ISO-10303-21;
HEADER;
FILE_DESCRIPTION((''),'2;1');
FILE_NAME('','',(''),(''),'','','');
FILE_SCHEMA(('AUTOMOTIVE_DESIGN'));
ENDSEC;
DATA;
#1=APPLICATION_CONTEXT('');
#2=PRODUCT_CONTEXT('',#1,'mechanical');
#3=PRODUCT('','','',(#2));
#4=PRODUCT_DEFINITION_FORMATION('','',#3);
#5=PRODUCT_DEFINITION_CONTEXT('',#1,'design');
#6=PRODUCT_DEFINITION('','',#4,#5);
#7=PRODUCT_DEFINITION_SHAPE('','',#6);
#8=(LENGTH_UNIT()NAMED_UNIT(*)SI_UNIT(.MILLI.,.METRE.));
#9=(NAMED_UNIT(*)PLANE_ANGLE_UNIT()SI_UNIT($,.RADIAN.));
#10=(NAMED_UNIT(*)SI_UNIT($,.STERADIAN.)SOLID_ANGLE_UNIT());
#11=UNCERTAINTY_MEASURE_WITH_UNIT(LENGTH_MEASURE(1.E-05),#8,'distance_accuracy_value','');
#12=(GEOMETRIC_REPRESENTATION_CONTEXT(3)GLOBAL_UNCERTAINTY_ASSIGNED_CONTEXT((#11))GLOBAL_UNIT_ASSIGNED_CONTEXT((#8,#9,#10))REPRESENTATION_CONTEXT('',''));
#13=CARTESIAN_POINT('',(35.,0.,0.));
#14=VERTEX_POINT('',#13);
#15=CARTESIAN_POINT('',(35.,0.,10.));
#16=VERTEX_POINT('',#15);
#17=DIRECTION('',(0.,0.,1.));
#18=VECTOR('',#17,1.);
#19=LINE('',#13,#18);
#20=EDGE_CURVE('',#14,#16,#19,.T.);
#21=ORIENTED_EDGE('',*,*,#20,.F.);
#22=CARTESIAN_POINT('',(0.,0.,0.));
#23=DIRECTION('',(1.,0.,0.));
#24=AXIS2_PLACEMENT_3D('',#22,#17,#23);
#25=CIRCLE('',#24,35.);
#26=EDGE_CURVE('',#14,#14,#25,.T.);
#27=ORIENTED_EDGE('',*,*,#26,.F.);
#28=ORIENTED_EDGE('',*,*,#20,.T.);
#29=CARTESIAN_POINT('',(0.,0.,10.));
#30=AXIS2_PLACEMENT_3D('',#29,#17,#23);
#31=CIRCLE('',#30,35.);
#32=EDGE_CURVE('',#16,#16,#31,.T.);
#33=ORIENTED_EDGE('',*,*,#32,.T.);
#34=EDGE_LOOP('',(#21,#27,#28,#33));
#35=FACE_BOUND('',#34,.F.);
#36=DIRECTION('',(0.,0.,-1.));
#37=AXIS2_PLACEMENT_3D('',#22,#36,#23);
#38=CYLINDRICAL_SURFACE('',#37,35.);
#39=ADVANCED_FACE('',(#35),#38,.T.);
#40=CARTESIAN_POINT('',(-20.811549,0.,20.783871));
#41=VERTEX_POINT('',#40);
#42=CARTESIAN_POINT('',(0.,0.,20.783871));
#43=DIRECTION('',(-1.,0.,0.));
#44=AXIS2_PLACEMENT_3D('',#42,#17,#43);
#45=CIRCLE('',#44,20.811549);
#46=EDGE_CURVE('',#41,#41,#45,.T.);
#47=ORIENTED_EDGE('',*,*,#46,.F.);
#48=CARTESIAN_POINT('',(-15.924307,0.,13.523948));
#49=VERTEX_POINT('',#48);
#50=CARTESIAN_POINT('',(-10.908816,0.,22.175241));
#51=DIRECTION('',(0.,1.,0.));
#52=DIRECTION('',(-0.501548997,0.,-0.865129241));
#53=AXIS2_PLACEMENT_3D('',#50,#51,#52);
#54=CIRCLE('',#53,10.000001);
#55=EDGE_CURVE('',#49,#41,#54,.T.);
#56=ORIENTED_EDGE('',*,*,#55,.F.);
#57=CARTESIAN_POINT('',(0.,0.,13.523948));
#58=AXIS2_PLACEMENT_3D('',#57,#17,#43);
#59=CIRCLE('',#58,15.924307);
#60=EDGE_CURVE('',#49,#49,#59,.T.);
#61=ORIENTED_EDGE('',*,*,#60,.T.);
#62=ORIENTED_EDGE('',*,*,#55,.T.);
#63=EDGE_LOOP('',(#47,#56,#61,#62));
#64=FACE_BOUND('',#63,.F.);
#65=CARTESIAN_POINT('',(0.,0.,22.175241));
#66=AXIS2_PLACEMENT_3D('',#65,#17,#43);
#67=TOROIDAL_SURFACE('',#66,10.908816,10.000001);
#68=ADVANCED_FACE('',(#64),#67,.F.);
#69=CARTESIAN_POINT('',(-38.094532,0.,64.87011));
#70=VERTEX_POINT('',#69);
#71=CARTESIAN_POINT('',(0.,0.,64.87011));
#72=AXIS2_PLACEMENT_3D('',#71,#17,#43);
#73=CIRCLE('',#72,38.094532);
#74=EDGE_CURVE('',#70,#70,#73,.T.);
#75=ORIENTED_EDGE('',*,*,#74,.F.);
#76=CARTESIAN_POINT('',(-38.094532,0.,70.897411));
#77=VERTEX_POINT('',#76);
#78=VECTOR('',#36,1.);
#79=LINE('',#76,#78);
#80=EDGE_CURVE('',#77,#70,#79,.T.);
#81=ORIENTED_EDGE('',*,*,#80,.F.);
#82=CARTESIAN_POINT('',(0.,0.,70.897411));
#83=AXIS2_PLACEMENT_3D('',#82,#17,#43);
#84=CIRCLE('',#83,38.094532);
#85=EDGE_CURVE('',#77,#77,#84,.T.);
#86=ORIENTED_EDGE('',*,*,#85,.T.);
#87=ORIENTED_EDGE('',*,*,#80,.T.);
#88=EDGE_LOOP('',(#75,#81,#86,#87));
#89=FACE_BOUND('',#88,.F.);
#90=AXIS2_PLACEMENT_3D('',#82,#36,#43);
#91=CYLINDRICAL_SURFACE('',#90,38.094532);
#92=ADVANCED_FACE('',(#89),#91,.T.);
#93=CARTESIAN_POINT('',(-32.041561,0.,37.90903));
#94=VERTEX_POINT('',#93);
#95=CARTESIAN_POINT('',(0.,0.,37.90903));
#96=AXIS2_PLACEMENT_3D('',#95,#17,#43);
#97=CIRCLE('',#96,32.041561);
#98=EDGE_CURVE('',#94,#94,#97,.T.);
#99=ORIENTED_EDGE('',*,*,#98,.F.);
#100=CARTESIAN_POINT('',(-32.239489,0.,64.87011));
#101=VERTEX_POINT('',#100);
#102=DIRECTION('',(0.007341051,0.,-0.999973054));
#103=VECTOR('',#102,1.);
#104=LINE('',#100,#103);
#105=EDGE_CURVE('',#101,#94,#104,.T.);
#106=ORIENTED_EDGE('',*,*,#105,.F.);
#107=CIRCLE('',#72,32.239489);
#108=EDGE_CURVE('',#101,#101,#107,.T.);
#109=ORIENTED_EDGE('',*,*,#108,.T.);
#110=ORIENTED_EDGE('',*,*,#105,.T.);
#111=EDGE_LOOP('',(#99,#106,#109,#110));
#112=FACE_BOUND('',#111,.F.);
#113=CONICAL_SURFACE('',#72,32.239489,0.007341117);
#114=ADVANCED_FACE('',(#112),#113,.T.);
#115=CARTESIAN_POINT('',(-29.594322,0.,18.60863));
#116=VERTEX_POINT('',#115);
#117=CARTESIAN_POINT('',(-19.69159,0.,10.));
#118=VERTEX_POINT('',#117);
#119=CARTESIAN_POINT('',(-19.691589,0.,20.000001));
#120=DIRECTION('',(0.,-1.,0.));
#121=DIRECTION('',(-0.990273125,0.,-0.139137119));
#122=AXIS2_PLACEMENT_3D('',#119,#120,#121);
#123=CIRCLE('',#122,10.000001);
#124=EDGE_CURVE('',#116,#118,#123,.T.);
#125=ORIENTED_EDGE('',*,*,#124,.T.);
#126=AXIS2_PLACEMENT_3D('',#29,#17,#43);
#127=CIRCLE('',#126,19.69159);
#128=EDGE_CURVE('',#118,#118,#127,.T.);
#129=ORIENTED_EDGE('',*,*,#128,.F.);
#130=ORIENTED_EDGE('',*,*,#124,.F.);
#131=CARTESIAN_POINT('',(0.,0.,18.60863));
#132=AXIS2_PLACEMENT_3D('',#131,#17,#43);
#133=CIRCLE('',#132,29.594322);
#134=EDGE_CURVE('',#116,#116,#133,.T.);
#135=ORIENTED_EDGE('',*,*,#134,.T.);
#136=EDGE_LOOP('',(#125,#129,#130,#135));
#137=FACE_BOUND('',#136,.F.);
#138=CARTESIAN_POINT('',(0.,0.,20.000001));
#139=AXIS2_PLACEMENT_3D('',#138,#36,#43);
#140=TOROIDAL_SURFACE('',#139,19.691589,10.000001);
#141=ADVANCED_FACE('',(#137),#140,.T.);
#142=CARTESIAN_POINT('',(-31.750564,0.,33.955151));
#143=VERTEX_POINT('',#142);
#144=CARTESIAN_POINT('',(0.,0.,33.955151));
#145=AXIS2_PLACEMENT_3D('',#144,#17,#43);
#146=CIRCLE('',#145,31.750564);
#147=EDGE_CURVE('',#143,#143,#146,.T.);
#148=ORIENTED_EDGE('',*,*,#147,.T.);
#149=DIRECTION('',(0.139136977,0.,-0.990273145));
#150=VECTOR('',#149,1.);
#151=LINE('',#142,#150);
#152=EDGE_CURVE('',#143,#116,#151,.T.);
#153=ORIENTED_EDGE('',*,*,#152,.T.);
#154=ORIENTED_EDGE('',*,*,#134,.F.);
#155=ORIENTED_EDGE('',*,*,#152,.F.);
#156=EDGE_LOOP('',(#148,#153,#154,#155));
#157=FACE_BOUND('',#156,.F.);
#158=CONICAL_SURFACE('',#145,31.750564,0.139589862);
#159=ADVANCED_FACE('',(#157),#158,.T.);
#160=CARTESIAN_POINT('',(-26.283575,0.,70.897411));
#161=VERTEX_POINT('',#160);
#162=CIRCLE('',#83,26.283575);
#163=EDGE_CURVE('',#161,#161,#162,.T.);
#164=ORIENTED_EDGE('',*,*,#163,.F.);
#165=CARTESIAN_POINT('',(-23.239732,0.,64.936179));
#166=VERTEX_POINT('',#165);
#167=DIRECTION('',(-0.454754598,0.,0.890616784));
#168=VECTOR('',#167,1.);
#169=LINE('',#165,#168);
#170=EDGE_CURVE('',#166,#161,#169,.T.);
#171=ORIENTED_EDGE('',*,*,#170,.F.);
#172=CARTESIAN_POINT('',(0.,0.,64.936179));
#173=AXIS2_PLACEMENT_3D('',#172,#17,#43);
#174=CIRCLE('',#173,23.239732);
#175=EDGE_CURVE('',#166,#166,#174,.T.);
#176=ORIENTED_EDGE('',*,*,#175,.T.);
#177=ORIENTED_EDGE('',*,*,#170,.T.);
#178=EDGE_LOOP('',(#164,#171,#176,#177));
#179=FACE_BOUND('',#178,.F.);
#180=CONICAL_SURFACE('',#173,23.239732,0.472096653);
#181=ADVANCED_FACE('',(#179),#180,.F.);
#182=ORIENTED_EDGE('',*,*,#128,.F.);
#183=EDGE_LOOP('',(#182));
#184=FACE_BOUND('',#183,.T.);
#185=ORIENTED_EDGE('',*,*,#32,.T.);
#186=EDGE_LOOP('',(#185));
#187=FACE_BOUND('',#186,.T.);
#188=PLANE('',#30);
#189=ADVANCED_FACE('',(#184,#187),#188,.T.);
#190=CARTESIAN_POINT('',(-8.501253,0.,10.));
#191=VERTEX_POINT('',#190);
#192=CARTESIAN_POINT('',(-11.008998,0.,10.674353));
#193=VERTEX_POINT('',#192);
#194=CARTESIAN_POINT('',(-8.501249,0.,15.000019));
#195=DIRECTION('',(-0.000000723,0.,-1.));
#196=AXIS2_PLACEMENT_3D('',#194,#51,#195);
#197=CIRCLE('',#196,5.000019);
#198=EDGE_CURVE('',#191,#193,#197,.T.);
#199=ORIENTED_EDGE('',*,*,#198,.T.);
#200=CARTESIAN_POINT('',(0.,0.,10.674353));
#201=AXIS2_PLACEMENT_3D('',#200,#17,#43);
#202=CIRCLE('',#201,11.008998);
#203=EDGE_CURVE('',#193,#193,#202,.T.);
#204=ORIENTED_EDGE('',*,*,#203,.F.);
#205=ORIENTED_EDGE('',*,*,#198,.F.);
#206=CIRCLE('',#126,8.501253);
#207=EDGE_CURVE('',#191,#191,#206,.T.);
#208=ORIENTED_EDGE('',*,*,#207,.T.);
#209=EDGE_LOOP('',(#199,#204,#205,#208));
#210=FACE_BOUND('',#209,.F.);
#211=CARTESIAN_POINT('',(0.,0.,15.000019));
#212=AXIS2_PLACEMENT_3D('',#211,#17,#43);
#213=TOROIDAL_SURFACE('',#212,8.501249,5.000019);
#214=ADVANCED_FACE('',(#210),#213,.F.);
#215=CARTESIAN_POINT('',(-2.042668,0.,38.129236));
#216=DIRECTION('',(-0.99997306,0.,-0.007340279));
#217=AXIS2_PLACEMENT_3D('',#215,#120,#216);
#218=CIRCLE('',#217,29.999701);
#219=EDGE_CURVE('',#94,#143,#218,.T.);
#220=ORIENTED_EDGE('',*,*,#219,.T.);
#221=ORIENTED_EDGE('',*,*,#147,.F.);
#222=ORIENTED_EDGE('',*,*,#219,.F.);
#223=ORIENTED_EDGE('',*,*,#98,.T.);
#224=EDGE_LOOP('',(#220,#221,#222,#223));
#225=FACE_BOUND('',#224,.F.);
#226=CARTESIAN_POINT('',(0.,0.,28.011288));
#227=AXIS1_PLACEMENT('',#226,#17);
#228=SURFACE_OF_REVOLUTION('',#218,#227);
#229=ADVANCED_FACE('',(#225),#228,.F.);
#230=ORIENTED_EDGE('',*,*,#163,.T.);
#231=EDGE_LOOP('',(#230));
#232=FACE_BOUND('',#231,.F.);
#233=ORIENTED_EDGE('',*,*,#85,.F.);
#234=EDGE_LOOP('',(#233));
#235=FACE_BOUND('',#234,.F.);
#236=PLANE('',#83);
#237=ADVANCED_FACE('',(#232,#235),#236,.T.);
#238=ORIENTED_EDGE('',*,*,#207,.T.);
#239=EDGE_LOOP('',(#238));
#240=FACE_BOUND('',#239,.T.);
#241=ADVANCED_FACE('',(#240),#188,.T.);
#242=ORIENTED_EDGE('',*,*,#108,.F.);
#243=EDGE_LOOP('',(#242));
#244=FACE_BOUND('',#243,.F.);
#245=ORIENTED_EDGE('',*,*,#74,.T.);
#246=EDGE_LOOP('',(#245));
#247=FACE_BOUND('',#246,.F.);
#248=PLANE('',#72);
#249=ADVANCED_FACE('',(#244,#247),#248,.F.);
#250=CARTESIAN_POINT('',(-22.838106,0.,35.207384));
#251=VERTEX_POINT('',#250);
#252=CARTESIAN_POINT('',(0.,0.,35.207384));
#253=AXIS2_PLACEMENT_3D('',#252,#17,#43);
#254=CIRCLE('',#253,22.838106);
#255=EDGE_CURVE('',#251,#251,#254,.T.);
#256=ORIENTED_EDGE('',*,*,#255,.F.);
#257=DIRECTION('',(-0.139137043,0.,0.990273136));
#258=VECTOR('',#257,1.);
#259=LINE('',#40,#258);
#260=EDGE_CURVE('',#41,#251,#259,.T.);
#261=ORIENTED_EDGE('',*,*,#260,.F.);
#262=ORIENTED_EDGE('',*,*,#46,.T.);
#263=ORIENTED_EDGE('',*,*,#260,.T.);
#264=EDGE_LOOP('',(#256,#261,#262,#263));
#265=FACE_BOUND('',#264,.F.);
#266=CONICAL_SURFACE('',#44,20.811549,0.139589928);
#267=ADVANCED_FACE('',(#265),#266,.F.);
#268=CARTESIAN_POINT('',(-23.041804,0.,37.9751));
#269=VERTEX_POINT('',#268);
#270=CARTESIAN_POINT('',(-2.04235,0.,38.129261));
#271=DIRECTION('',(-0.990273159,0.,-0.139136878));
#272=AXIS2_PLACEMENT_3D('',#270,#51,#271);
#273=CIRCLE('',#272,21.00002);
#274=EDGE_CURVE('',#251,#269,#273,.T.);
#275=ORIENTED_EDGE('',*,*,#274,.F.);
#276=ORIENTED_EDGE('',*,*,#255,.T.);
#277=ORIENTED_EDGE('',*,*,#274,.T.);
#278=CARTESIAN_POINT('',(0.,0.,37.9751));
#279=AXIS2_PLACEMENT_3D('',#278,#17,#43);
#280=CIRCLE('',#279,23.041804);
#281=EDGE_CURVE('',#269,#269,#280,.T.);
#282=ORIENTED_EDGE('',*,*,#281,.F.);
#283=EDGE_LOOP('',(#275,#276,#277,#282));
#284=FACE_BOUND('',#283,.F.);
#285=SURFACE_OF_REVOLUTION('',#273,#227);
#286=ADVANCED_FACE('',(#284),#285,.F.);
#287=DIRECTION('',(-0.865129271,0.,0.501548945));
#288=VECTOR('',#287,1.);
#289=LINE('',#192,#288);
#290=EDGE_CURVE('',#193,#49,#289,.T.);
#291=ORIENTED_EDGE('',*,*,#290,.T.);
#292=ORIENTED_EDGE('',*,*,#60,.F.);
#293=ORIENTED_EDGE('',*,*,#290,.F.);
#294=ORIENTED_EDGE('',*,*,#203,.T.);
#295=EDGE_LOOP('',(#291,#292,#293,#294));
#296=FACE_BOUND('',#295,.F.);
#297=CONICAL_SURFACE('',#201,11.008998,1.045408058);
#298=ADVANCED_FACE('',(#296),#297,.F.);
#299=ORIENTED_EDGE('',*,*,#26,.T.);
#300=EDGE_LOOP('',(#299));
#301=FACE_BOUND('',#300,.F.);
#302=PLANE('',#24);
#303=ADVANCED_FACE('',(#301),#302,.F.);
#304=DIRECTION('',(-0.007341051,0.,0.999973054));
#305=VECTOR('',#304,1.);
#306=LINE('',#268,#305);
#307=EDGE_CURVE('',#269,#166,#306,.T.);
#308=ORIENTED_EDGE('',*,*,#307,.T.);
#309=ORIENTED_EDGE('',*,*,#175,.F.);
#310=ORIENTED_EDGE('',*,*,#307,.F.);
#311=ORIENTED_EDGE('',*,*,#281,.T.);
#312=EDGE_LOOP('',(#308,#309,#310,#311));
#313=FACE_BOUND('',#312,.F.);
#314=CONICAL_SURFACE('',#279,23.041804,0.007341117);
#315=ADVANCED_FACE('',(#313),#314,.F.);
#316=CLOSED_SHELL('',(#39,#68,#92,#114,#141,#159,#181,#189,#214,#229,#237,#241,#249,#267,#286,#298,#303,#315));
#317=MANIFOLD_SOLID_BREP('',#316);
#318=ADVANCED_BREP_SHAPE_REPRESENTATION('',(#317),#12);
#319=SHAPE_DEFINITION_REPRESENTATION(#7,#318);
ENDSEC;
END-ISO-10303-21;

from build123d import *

# Parameters (mm, degrees)
F0_R     = 35
F1_DEPTH = 10


with BuildPart() as f1:
    # F0 (on Top) → F1 (new body)
    with BuildSketch(Plane.XY):
        Circle(F0_R)
    extrude(amount=F1_DEPTH)

    # F2 (on Front) → F3 (revolve)
    with BuildSketch(Plane.XZ):
        with BuildLine():
            Line((-26.283575, 70.897411), (-38.094532, 70.897411))
            Line((-38.094532, 70.897411), (-38.094532, 64.87011))
            Line((-38.094532, 64.87011), (-32.239489, 64.87011))
            Line((-32.239489, 64.87011), (-32.041561, 37.90903))
            ThreePointArc((-32.041561, 37.90903), (-31.961449, 35.927279), (-31.750564, 33.955151))
            Line((-31.750564, 33.955151), (-29.594322, 18.60863))
            ThreePointArc((-29.594322, 18.60863), (-26.252318, 12.453024), (-19.69159, 10))
            Line((-19.69159, 10), (-8.501253, 10))
            ThreePointArc((-8.501253, 10), (-9.799669, 10.171531), (-11.008998, 10.674353))
            Line((-11.008998, 10.674353), (-15.924307, 13.523948))
            ThreePointArc((-15.924307, 13.523948), (-19.204295, 16.590883), (-20.811549, 20.783871))
            Line((-20.811549, 20.783871), (-22.838106, 35.207384))
            ThreePointArc((-22.838106, 35.207384), (-22.985725, 36.587873), (-23.041804, 37.9751))
            Line((-23.041804, 37.9751), (-23.239732, 64.936179))
            Line((-23.239732, 64.936179), (-26.283575, 70.897411))
        make_face()
    revolve(axis=Axis((0, 0, 28.011288), (0, 0, 1)))


solid = f1.part
